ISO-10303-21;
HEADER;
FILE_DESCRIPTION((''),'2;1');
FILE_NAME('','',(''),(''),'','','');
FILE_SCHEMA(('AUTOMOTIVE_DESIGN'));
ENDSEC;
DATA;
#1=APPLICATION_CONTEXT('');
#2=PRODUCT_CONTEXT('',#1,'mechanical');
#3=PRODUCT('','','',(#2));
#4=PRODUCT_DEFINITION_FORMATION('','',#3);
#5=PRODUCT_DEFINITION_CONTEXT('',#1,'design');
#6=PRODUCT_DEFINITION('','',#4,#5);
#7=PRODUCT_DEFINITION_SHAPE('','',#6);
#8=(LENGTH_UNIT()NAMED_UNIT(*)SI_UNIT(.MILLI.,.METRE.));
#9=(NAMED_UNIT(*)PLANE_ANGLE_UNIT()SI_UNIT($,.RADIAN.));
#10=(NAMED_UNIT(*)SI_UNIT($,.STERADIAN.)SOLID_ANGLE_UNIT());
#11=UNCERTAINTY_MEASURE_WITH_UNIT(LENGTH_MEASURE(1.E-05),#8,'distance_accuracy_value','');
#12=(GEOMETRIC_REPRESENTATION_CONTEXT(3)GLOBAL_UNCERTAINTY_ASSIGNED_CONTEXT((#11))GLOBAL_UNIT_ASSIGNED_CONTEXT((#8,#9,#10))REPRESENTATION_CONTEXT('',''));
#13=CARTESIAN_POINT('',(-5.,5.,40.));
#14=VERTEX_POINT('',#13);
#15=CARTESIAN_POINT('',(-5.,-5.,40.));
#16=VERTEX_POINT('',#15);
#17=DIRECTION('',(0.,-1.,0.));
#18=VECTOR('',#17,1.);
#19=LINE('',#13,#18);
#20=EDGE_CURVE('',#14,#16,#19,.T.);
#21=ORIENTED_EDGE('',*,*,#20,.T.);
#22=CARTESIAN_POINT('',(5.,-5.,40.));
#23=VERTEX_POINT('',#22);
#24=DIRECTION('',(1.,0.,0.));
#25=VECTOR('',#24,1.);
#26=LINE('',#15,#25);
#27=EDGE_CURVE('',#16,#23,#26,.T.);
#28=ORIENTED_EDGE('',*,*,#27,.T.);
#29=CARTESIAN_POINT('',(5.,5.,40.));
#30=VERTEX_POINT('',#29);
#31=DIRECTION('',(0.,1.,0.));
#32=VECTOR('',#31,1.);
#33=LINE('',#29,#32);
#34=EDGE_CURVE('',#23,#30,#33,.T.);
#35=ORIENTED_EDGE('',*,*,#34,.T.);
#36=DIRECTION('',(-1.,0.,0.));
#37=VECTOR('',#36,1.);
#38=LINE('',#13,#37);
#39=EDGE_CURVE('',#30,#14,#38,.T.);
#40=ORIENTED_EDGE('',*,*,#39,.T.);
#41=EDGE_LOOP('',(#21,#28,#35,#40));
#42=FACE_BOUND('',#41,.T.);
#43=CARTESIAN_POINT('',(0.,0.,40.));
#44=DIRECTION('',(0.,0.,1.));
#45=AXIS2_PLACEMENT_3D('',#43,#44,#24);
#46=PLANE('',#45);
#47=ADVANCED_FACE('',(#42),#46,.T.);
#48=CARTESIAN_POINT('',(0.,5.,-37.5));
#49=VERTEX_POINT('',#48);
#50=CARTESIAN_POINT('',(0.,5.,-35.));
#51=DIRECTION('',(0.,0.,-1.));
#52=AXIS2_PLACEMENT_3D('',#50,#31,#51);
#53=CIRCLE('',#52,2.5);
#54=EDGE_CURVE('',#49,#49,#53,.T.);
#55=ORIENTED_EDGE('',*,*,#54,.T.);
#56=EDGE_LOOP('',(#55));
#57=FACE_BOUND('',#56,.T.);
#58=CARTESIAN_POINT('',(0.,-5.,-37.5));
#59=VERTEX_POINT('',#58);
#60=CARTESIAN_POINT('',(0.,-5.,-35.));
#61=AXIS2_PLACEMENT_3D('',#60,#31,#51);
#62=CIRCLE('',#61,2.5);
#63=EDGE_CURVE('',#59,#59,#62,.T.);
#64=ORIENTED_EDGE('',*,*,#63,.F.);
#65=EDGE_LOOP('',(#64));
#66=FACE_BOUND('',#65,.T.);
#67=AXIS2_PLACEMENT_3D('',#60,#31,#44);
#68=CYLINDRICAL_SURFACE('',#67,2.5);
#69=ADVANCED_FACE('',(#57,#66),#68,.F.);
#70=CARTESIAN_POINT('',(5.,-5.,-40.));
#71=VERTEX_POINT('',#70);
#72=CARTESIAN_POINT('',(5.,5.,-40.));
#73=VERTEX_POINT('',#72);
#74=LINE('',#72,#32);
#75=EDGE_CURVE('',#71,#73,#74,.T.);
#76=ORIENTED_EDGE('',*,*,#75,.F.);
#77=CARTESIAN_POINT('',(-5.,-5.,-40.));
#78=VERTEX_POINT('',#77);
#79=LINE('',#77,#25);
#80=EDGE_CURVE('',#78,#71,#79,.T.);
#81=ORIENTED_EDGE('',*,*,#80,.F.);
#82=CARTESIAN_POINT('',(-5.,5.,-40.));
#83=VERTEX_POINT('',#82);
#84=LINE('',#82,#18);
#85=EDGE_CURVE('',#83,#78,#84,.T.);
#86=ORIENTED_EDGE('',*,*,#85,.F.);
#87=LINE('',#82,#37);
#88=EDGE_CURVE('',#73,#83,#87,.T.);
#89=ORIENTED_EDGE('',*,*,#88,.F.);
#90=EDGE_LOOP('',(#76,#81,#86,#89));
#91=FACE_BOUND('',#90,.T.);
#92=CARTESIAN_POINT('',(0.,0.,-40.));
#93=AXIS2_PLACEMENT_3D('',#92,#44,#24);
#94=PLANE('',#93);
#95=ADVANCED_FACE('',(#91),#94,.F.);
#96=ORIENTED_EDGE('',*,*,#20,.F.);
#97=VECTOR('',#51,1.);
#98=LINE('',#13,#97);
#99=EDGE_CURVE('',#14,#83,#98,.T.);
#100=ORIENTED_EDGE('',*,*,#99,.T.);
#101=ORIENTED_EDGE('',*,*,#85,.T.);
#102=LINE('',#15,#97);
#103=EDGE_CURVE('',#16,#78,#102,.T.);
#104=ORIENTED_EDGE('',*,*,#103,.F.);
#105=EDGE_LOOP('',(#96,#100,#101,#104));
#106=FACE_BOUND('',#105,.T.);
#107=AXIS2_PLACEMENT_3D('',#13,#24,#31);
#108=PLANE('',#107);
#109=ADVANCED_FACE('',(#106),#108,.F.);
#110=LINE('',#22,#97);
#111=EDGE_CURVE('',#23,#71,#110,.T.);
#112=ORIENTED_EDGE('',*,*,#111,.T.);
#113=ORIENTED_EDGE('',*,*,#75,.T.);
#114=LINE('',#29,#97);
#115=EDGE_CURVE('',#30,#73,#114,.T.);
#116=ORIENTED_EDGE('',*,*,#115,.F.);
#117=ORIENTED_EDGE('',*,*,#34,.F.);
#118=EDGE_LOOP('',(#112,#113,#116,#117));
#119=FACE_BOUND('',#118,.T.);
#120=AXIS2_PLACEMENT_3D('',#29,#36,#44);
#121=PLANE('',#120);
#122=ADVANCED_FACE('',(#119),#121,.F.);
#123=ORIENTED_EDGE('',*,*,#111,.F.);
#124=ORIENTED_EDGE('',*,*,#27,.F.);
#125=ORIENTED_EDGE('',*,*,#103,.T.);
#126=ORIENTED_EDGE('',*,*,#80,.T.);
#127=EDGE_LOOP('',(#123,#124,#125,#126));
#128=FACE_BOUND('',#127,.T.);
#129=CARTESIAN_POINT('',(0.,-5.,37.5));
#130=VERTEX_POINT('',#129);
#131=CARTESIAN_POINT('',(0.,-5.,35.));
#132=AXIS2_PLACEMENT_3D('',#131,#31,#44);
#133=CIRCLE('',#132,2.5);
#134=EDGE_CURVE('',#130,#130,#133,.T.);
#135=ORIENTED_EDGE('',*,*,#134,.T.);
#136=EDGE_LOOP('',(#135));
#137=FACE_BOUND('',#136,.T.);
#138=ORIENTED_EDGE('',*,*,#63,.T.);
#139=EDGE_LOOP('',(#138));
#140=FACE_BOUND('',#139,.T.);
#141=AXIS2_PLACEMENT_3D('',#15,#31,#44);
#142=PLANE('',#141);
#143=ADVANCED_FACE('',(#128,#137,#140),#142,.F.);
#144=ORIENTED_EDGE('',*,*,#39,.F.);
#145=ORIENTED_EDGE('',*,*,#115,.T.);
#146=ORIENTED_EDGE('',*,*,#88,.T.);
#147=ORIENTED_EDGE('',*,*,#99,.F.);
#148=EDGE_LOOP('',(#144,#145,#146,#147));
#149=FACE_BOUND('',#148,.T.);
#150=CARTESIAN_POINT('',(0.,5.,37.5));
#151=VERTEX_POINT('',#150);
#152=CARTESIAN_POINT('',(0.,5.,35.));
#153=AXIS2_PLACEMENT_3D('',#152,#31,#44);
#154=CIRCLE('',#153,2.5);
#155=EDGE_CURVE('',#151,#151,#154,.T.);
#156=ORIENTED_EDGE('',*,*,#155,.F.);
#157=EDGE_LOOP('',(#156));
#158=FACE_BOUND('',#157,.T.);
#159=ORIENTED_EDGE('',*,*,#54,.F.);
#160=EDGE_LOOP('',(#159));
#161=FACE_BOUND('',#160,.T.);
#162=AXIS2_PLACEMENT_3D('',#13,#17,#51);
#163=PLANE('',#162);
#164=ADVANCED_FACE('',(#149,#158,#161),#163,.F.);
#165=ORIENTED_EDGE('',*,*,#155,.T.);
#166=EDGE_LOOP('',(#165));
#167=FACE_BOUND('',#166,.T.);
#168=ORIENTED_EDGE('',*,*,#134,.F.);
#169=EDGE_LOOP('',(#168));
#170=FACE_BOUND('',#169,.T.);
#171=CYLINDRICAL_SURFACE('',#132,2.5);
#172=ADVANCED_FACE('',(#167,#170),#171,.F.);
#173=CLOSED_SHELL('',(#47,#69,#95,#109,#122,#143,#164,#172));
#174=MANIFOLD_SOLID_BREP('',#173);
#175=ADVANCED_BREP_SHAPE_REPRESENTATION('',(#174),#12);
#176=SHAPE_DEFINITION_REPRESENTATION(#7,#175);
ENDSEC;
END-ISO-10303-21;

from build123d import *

# Parameters (mm, degrees)
SKETCH1_W               = 10
SKETCH1_H               = 10
BOSS_EXTRUDE1_DEPTH     = 40
CUT_EXTRUDE1_DEPTH      = 41.620192023
CUT_EXTRUDE1_DEPTH_BACK = 41.620192023
SKETCH2_R               = 2.5


with BuildPart() as part:
    # Sketch1 → Boss-Extrude1 (new, symmetric)
    with BuildSketch(Plane.XY):
        Rectangle(SKETCH1_W, SKETCH1_H)
    extrude(amount=BOSS_EXTRUDE1_DEPTH, both=True)

    # Sketch2 → Cut-Extrude1 (cut, two sides: drawn at the far end of the back side and taken through both)
    with BuildSketch(Plane(origin=(0, 0, 0), x_dir=(1, 0, 0), z_dir=(0, 1, 0)).offset(-CUT_EXTRUDE1_DEPTH_BACK)):
        with Locations(Location((0, -35, 0), (0, 0, 270))):
            Circle(SKETCH2_R)
        with Locations(Location((0, 35, 0), (0, 0, 90))):
            Circle(SKETCH2_R)
    extrude(amount=CUT_EXTRUDE1_DEPTH + CUT_EXTRUDE1_DEPTH_BACK, mode=Mode.SUBTRACT)


solid = part.part
